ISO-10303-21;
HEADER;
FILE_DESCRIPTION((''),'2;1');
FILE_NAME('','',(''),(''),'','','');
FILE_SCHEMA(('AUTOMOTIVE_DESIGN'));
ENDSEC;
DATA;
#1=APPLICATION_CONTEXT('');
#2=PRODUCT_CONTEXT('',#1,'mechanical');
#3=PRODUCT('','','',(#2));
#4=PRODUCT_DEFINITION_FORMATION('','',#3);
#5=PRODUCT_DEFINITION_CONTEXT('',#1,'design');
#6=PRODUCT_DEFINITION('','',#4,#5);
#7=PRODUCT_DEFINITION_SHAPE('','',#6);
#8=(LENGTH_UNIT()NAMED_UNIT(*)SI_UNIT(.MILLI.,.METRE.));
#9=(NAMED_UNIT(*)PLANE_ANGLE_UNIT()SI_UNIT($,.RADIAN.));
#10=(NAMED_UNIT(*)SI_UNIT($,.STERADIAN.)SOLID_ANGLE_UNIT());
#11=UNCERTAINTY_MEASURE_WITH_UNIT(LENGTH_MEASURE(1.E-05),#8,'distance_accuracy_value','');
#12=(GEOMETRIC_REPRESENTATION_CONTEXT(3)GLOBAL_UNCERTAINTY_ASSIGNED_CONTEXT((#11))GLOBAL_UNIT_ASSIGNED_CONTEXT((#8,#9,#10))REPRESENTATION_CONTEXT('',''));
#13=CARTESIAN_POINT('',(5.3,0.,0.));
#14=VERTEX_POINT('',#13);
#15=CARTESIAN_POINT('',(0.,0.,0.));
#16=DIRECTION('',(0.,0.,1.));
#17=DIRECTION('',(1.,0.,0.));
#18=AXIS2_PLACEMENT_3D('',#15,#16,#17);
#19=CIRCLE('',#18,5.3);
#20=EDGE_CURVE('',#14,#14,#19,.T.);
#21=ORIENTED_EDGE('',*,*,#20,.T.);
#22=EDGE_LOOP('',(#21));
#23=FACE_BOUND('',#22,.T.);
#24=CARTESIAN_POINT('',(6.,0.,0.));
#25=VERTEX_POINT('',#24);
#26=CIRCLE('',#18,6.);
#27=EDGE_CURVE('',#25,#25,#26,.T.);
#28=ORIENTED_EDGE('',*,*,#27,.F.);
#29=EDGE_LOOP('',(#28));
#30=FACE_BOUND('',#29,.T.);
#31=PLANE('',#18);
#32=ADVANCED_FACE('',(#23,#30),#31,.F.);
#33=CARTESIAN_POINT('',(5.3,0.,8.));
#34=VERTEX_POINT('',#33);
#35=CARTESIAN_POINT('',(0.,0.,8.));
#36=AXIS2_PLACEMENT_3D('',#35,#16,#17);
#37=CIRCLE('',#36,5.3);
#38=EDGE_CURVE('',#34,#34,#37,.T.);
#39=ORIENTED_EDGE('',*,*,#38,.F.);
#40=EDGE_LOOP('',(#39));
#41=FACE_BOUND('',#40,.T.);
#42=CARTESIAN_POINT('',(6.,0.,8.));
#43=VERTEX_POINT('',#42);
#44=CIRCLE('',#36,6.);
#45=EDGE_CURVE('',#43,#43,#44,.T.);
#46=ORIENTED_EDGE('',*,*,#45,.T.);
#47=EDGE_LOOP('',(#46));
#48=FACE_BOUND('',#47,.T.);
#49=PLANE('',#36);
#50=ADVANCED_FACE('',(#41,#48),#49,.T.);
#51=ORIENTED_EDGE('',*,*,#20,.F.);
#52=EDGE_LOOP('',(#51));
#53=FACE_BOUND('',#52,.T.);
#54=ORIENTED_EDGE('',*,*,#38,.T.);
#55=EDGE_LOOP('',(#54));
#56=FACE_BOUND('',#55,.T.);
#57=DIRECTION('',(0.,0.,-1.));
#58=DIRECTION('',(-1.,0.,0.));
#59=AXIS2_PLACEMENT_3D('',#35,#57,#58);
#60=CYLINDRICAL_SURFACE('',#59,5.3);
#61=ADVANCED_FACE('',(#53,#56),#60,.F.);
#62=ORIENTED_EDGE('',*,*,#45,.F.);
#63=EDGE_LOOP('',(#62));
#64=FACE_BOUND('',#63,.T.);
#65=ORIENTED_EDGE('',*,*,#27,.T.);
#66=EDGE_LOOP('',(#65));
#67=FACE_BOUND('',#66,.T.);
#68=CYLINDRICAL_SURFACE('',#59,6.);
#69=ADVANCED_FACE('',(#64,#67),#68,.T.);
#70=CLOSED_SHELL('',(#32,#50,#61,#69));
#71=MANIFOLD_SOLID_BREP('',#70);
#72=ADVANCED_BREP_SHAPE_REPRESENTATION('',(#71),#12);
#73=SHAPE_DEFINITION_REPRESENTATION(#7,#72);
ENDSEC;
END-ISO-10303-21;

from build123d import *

# Parameters (mm, degrees)
CROQUIS1_R              = 6
SALIENTE_EXTRUIR1_DEPTH = 8
CROQUIS2_R              = 5.3
CORTAR_EXTRUIR1_DEPTH   = 8


with BuildPart() as part:
    # Croquis1 → Saliente-Extruir1 (new body)
    with BuildSketch(Plane.XY):
        Circle(CROQUIS1_R)
    extrude(amount=SALIENTE_EXTRUIR1_DEPTH)

    # Croquis2 → Cortar-Extruir1 (cut)
    with BuildSketch(Plane.XY):
        Circle(CROQUIS2_R)
    extrude(amount=CORTAR_EXTRUIR1_DEPTH, mode=Mode.SUBTRACT)


solid = part.part
